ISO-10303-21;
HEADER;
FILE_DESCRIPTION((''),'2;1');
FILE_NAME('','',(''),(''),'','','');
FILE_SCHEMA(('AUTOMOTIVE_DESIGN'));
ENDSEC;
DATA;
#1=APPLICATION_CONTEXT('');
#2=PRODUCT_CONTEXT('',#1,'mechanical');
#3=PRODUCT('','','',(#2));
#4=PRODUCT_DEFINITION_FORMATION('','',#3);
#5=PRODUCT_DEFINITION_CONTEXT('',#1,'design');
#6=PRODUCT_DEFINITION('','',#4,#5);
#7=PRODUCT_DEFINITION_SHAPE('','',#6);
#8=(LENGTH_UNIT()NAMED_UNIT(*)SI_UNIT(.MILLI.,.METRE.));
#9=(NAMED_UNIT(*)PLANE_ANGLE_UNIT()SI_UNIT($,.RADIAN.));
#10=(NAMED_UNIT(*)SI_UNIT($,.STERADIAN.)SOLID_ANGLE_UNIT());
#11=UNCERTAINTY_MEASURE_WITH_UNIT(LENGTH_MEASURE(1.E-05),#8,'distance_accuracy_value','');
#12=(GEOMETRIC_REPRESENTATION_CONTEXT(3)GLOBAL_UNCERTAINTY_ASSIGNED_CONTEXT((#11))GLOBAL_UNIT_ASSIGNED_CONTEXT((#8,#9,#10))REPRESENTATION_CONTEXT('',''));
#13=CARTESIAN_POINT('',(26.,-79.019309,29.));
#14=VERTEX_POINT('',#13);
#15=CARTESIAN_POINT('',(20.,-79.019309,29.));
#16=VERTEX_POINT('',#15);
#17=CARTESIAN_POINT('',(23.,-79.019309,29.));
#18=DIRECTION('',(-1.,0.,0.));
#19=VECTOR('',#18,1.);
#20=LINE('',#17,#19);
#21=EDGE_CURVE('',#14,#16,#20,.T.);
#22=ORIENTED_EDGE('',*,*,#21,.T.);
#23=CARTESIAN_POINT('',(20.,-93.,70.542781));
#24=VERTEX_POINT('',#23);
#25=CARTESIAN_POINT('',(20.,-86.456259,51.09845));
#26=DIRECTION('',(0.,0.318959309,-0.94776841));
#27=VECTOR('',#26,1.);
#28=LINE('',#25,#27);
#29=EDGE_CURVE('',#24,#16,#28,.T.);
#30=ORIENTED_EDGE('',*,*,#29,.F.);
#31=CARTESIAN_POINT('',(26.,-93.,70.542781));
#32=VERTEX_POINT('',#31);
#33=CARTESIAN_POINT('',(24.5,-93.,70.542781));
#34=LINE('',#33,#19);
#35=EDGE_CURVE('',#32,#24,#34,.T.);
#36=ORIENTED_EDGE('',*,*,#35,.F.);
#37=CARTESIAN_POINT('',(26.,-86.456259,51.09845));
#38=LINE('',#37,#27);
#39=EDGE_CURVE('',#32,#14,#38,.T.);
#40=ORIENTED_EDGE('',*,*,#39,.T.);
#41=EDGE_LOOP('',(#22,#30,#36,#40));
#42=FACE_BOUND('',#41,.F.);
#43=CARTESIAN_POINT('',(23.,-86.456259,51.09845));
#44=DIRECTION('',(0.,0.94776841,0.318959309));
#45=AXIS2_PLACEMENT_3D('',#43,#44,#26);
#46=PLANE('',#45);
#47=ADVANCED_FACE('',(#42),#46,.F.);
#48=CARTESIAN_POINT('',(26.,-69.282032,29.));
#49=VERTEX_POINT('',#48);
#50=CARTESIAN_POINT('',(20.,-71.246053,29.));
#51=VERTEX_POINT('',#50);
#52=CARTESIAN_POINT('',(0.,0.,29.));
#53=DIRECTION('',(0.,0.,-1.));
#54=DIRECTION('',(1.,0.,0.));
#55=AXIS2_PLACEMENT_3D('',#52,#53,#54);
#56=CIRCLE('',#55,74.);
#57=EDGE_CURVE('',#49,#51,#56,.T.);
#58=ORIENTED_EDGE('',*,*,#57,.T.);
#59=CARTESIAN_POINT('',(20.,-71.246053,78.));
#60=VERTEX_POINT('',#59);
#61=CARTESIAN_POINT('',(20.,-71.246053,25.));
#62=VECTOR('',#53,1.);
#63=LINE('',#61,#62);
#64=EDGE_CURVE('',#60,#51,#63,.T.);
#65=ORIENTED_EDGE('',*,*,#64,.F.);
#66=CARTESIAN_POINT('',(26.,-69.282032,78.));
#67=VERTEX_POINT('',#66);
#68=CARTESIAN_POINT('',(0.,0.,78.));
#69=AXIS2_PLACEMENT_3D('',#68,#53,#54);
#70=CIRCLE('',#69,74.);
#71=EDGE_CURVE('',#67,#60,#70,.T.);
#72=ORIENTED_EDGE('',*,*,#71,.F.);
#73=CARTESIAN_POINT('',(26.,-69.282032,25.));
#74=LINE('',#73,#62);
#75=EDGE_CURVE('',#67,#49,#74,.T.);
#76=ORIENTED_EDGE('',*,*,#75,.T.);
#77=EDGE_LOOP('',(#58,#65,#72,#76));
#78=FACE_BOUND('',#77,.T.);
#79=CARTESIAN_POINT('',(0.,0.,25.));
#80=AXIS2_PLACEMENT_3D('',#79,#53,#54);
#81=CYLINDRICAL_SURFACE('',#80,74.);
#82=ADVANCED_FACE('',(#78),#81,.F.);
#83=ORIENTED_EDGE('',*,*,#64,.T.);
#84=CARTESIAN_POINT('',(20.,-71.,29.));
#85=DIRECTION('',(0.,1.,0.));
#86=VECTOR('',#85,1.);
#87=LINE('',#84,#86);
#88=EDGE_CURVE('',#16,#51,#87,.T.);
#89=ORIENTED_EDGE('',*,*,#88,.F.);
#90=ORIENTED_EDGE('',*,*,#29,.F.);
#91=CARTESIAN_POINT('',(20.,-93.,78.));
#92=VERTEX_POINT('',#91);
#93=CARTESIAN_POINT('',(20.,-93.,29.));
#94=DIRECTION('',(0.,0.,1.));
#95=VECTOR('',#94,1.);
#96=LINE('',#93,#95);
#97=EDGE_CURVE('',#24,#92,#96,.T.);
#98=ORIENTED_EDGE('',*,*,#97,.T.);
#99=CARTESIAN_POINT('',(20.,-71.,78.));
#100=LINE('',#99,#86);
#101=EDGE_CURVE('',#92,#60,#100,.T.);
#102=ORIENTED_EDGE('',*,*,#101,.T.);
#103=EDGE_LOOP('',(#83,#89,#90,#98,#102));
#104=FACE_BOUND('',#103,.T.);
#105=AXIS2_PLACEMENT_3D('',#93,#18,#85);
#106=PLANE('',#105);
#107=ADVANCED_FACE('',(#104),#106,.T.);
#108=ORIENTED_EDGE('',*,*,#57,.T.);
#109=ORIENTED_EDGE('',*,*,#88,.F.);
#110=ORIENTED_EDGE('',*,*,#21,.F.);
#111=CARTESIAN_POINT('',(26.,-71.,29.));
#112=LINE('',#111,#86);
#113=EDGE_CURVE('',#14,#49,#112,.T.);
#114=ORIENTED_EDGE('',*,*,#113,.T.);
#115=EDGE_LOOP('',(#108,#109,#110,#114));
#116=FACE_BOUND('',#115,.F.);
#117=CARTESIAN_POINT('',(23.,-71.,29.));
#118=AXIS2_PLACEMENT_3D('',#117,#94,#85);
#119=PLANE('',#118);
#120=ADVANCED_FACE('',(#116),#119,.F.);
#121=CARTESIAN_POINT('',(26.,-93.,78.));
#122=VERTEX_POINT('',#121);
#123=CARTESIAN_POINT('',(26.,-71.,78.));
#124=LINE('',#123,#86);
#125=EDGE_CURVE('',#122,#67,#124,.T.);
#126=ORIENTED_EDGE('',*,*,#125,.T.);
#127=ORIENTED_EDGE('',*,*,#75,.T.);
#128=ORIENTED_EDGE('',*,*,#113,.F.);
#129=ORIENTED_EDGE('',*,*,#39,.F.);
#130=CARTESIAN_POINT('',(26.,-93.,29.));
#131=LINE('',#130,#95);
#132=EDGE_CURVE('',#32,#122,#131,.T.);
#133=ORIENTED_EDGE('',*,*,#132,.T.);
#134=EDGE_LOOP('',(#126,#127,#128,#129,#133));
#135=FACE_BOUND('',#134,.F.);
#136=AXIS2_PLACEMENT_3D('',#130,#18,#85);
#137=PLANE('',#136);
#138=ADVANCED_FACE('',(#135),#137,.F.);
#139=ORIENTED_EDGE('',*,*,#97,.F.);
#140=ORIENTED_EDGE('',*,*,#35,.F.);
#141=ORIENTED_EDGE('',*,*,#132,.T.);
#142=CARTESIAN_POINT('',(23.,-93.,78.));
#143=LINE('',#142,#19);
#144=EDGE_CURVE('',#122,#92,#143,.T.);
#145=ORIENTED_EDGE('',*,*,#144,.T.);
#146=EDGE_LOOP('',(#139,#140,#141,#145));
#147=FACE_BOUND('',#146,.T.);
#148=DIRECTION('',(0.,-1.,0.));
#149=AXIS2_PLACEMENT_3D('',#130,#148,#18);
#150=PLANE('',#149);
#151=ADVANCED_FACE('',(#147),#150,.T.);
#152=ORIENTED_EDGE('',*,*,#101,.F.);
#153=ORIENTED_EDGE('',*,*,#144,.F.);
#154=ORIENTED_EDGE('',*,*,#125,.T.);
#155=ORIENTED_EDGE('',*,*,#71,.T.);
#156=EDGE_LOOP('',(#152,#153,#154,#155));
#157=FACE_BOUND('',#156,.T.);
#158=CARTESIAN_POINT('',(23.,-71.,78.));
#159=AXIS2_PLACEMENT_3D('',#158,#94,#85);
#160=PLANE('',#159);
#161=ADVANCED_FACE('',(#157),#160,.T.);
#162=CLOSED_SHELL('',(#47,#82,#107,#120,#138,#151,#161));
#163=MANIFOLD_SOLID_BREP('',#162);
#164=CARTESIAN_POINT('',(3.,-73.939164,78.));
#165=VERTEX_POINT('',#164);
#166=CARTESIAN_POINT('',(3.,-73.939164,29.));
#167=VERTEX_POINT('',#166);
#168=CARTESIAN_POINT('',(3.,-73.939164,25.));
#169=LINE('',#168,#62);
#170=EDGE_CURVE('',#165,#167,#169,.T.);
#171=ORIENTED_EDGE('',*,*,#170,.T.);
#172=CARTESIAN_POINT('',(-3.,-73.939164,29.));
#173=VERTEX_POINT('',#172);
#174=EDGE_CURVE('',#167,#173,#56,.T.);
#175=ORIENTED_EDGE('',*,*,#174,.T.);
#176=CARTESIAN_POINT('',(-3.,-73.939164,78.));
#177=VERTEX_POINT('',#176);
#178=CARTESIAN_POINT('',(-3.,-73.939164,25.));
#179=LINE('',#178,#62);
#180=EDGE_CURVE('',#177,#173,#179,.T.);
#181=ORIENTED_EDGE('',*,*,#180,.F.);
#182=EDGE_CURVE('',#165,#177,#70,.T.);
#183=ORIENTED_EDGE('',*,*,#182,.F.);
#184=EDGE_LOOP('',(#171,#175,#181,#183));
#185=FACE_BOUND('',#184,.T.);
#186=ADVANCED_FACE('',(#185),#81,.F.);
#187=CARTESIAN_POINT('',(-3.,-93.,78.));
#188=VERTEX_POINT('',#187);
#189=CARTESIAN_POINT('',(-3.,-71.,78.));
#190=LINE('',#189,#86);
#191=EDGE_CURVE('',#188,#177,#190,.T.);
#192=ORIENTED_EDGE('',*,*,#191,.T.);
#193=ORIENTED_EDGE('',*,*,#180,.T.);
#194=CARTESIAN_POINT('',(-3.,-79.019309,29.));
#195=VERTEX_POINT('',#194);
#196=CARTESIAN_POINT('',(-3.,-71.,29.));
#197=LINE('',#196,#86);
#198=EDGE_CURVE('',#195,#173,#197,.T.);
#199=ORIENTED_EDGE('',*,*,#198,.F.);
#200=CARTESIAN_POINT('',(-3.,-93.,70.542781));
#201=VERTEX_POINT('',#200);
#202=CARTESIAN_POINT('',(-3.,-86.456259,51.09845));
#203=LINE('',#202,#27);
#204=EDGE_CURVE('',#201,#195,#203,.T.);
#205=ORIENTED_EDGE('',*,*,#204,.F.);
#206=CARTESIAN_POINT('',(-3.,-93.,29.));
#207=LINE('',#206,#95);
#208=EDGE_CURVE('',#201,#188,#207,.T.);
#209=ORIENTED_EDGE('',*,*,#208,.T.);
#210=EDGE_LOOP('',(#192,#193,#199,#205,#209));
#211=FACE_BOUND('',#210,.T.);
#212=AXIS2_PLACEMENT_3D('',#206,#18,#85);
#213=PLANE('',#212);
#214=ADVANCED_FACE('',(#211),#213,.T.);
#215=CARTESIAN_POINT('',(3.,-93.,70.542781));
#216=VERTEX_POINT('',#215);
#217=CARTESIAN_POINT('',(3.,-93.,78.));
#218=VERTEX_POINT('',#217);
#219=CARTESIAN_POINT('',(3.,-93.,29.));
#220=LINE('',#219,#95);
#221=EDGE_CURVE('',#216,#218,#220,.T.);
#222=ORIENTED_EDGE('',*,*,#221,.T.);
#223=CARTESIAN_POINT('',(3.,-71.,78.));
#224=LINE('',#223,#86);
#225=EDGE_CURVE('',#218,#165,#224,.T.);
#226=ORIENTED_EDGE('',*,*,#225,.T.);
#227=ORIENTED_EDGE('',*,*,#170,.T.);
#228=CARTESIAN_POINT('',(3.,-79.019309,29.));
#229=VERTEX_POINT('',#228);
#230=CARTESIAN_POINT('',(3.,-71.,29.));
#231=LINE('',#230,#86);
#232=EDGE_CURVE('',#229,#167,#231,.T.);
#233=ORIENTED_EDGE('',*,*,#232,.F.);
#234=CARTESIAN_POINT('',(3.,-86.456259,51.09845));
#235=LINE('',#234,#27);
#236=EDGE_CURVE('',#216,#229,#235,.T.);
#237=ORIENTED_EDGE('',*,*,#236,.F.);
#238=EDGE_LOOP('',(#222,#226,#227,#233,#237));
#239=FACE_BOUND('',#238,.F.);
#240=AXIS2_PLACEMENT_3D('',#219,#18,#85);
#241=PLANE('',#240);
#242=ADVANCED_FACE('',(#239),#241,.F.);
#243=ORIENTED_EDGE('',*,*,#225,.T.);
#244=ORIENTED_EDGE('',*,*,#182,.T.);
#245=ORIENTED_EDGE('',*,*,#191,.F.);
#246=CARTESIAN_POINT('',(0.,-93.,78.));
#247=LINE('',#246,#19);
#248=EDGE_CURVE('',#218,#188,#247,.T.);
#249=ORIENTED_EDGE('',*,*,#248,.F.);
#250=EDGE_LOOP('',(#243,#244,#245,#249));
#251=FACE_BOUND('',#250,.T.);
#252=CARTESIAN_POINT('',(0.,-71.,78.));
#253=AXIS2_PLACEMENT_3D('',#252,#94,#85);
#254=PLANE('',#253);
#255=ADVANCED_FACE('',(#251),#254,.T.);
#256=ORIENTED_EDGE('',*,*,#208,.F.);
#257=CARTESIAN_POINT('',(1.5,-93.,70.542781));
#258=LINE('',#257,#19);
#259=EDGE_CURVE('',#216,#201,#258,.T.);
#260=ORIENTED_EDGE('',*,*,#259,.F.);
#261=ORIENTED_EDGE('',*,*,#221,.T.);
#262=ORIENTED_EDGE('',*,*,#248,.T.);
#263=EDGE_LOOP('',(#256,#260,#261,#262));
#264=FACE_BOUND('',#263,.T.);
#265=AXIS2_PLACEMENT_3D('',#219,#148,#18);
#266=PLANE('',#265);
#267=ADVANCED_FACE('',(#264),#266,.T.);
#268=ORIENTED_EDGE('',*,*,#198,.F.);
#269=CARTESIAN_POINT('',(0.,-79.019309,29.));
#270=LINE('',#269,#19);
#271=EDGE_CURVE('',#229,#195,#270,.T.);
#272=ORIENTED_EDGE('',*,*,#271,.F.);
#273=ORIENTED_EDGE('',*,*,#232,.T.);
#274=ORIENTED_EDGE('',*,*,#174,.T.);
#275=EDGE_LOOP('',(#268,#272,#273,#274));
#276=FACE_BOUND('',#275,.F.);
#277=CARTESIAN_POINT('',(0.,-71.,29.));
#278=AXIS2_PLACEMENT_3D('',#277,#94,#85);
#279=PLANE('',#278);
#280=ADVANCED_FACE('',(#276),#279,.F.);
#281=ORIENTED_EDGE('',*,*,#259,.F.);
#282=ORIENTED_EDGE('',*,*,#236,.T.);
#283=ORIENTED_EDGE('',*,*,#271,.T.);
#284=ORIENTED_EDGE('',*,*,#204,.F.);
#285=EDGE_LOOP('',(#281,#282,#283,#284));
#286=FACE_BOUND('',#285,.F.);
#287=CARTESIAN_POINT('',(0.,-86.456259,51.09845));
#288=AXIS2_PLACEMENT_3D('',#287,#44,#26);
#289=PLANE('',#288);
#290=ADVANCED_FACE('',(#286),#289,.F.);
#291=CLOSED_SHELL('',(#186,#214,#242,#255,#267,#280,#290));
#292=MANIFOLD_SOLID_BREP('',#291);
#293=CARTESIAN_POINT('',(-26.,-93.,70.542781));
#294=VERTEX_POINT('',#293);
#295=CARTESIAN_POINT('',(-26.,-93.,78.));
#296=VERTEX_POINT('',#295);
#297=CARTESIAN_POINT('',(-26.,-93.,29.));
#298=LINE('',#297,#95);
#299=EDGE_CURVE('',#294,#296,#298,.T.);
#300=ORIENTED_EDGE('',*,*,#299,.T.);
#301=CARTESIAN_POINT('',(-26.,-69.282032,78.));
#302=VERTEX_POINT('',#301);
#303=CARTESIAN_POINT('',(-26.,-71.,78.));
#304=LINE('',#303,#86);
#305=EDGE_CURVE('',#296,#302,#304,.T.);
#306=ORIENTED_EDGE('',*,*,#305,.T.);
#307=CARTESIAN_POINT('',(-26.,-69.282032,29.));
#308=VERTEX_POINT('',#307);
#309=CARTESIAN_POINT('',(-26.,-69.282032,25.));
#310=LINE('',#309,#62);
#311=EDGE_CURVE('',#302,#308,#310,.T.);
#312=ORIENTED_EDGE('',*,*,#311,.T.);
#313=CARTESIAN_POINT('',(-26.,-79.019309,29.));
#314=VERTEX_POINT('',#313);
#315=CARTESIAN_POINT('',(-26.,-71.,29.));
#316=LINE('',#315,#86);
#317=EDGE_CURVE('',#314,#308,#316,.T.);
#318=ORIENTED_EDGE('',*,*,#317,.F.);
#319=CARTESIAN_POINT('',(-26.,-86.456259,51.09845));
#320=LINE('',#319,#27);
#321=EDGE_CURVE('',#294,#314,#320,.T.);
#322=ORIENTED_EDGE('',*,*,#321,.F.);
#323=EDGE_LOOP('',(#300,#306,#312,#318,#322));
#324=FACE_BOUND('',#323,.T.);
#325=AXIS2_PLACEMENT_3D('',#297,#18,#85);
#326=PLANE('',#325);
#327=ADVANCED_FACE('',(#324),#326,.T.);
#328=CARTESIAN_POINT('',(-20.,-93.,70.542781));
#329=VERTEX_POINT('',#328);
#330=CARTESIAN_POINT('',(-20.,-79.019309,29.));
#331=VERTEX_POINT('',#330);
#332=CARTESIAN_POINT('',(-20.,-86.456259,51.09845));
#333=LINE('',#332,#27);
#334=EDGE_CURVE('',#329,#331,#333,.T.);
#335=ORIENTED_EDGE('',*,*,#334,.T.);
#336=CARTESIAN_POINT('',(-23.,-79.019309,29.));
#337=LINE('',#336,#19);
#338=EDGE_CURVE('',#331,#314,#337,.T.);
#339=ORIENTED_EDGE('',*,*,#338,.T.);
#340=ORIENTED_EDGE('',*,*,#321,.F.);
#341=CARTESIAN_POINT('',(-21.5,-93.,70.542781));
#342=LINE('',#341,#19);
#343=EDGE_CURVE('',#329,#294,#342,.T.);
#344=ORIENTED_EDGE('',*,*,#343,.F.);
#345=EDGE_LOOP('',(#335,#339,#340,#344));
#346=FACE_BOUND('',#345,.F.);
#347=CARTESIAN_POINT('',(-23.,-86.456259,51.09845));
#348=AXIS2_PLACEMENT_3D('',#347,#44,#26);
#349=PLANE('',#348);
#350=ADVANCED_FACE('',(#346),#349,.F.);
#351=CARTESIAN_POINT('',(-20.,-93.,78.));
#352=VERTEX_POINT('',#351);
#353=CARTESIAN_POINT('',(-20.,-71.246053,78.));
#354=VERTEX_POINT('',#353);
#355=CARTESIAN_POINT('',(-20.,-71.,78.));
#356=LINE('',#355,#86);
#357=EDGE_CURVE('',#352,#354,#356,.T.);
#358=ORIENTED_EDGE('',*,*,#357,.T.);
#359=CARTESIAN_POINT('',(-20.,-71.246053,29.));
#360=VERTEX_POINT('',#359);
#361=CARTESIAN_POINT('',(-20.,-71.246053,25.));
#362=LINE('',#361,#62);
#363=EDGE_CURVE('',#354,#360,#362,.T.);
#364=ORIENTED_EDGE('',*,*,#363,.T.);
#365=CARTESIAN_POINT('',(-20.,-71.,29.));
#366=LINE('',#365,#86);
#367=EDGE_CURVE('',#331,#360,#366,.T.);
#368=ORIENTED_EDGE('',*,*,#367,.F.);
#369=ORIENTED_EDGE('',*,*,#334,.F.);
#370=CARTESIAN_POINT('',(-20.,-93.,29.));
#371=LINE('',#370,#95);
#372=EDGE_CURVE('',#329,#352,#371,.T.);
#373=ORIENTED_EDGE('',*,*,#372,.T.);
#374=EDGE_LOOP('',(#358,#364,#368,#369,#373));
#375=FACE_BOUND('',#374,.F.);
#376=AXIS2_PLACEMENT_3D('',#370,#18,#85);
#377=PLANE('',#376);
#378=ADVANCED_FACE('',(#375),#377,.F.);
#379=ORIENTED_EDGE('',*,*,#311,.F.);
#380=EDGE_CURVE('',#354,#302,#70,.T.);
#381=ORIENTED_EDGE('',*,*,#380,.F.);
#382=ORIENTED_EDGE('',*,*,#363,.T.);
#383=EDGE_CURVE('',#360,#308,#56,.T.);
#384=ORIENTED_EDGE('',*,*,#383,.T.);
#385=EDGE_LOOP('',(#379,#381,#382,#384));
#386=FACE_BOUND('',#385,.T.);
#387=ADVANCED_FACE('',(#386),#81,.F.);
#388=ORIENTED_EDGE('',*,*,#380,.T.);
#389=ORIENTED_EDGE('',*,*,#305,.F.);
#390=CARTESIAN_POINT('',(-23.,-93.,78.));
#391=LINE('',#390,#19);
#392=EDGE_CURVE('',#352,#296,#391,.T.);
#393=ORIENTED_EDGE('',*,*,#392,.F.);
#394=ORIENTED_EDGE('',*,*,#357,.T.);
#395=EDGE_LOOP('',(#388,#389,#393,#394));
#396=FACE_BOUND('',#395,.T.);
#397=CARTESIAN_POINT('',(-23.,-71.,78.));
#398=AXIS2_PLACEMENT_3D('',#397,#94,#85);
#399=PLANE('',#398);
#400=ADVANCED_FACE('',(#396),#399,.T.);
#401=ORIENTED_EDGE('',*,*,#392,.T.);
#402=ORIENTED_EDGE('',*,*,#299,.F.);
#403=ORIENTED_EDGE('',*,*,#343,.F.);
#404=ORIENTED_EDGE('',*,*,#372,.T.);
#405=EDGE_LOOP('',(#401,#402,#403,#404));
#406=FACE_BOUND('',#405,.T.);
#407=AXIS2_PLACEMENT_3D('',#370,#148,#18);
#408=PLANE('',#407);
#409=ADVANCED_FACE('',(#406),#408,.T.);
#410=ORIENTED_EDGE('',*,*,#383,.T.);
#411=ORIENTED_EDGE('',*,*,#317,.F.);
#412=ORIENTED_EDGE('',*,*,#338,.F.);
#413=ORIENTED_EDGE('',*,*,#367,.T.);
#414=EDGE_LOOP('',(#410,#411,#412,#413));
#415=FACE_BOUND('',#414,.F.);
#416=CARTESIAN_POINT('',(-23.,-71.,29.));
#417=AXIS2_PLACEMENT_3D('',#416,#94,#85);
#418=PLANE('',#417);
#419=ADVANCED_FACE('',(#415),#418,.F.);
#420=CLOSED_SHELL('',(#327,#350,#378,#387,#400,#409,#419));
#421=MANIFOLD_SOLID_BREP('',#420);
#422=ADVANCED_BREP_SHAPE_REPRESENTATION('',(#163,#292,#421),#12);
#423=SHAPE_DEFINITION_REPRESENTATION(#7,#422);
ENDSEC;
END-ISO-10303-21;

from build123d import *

# Parameters (mm, degrees)
CYLINDER1827_R         = 74
CYLINDER1827_DEPTH     = 64
BOX790_W               = 80
BOX790_H               = 6
BOX790_DEPTH           = 20
BOX790_PLACEMENT_ANGLE = 71.4
BOX792_W               = 44
BOX792_H               = 6
BOX792_DEPTH           = 49
CUT588_PLACEMENT_ANGLE = 90
BOX795_W               = 80
BOX795_H               = 6
BOX795_DEPTH           = 20
BOX795_PLACEMENT_ANGLE = 71.4
BOX796_W               = 44
BOX796_H               = 6
BOX796_DEPTH           = 49
CUT590_PLACEMENT_ANGLE = 90
BOX789_W               = 80
BOX789_H               = 6
BOX789_DEPTH           = 20
BOX789_PLACEMENT_ANGLE = 71.4
BOX787_W               = 44
BOX787_H               = 6
BOX787_DEPTH           = 49
CUT587_PLACEMENT_ANGLE = 90


with BuildPart() as v_lec1827:
    # Cylinder1827 → Cylinder1827 (new body)
    with BuildSketch(Plane.XY.offset(25)):
        Circle(CYLINDER1827_R)
    extrude(amount=CYLINDER1827_DEPTH)


with BuildPart() as krychle790:
    # Box790 → Box790 (new body)
    with BuildSketch(Plane.XY):
        with Locations((40, 3)):
            Rectangle(BOX790_W, BOX790_H)
    extrude(amount=BOX790_DEPTH)


with BuildPart() as krychle790_1:
    # Box790 placement: moved
    add(krychle790.part.moved(Location((-118.17, -24, 82.63))).rotate(Axis((-118.17, -24, 82.63), (0, 1, 0)), BOX790_PLACEMENT_ANGLE))


with BuildPart() as cut588:
    # Box792 → Box792 (new body)
    with BuildSketch(Plane(origin=(-93, -24, 29), x_dir=(1, 0, 0), z_dir=(0, 0, 1))):
        with Locations((22, 3)):
            Rectangle(BOX792_W, BOX792_H)
    extrude(amount=BOX792_DEPTH)

    # Cut588: cut Krychle790
    add(krychle790_1.part, mode=Mode.SUBTRACT)


with BuildPart() as cut588_1:
    # Cut588 placement: moved
    add(cut588.part.moved(Location((-44, 0, 0))).rotate(Axis((-44, 0, 0), (0, 0, 1)), CUT588_PLACEMENT_ANGLE))


with BuildPart() as krychle795:
    # Box795 → Box795 (new body)
    with BuildSketch(Plane.XY):
        with Locations((40, 3)):
            Rectangle(BOX795_W, BOX795_H)
    extrude(amount=BOX795_DEPTH)


with BuildPart() as krychle795_1:
    # Box795 placement: moved
    add(krychle795.part.moved(Location((-118.17, -24, 82.63))).rotate(Axis((-118.17, -24, 82.63), (0, 1, 0)), BOX795_PLACEMENT_ANGLE))


with BuildPart() as cut590:
    # Box796 → Box796 (new body)
    with BuildSketch(Plane(origin=(-93, -24, 29), x_dir=(1, 0, 0), z_dir=(0, 0, 1))):
        with Locations((22, 3)):
            Rectangle(BOX796_W, BOX796_H)
    extrude(amount=BOX796_DEPTH)

    # Cut590: cut Krychle795
    add(krychle795_1.part, mode=Mode.SUBTRACT)


with BuildPart() as cut590_1:
    # Cut590 placement: moved
    add(cut590.part.moved(Location((-21, 0, 0))).rotate(Axis((-21, 0, 0), (0, 0, 1)), CUT590_PLACEMENT_ANGLE))


with BuildPart() as krychle789:
    # Box789 → Box789 (new body)
    with BuildSketch(Plane.XY):
        with Locations((40, 3)):
            Rectangle(BOX789_W, BOX789_H)
    extrude(amount=BOX789_DEPTH)


with BuildPart() as krychle789_1:
    # Box789 placement: moved
    add(krychle789.part.moved(Location((-118.17, -24, 82.63))).rotate(Axis((-118.17, -24, 82.63), (0, 1, 0)), BOX789_PLACEMENT_ANGLE))


with BuildPart() as cut593:
    # Box787 → Box787 (new body)
    with BuildSketch(Plane(origin=(-93, -24, 29), x_dir=(1, 0, 0), z_dir=(0, 0, 1))):
        with Locations((22, 3)):
            Rectangle(BOX787_W, BOX787_H)
    extrude(amount=BOX787_DEPTH)

    # Cut587: cut Krychle789
    add(krychle789_1.part, mode=Mode.SUBTRACT)


with BuildPart() as cut593_1:
    # Cut587 placement: moved
    add(cut593.part.moved(Location((2, 0, 0))).rotate(Axis((2, 0, 0), (0, 0, 1)), CUT587_PLACEMENT_ANGLE))

    # Compound929: union Cut588, Cut590
    add(cut588_1.part)
    add(cut590_1.part)

    # Cut593: cut Válec1827
    add(v_lec1827.part, mode=Mode.SUBTRACT)


solid = cut593_1.part
